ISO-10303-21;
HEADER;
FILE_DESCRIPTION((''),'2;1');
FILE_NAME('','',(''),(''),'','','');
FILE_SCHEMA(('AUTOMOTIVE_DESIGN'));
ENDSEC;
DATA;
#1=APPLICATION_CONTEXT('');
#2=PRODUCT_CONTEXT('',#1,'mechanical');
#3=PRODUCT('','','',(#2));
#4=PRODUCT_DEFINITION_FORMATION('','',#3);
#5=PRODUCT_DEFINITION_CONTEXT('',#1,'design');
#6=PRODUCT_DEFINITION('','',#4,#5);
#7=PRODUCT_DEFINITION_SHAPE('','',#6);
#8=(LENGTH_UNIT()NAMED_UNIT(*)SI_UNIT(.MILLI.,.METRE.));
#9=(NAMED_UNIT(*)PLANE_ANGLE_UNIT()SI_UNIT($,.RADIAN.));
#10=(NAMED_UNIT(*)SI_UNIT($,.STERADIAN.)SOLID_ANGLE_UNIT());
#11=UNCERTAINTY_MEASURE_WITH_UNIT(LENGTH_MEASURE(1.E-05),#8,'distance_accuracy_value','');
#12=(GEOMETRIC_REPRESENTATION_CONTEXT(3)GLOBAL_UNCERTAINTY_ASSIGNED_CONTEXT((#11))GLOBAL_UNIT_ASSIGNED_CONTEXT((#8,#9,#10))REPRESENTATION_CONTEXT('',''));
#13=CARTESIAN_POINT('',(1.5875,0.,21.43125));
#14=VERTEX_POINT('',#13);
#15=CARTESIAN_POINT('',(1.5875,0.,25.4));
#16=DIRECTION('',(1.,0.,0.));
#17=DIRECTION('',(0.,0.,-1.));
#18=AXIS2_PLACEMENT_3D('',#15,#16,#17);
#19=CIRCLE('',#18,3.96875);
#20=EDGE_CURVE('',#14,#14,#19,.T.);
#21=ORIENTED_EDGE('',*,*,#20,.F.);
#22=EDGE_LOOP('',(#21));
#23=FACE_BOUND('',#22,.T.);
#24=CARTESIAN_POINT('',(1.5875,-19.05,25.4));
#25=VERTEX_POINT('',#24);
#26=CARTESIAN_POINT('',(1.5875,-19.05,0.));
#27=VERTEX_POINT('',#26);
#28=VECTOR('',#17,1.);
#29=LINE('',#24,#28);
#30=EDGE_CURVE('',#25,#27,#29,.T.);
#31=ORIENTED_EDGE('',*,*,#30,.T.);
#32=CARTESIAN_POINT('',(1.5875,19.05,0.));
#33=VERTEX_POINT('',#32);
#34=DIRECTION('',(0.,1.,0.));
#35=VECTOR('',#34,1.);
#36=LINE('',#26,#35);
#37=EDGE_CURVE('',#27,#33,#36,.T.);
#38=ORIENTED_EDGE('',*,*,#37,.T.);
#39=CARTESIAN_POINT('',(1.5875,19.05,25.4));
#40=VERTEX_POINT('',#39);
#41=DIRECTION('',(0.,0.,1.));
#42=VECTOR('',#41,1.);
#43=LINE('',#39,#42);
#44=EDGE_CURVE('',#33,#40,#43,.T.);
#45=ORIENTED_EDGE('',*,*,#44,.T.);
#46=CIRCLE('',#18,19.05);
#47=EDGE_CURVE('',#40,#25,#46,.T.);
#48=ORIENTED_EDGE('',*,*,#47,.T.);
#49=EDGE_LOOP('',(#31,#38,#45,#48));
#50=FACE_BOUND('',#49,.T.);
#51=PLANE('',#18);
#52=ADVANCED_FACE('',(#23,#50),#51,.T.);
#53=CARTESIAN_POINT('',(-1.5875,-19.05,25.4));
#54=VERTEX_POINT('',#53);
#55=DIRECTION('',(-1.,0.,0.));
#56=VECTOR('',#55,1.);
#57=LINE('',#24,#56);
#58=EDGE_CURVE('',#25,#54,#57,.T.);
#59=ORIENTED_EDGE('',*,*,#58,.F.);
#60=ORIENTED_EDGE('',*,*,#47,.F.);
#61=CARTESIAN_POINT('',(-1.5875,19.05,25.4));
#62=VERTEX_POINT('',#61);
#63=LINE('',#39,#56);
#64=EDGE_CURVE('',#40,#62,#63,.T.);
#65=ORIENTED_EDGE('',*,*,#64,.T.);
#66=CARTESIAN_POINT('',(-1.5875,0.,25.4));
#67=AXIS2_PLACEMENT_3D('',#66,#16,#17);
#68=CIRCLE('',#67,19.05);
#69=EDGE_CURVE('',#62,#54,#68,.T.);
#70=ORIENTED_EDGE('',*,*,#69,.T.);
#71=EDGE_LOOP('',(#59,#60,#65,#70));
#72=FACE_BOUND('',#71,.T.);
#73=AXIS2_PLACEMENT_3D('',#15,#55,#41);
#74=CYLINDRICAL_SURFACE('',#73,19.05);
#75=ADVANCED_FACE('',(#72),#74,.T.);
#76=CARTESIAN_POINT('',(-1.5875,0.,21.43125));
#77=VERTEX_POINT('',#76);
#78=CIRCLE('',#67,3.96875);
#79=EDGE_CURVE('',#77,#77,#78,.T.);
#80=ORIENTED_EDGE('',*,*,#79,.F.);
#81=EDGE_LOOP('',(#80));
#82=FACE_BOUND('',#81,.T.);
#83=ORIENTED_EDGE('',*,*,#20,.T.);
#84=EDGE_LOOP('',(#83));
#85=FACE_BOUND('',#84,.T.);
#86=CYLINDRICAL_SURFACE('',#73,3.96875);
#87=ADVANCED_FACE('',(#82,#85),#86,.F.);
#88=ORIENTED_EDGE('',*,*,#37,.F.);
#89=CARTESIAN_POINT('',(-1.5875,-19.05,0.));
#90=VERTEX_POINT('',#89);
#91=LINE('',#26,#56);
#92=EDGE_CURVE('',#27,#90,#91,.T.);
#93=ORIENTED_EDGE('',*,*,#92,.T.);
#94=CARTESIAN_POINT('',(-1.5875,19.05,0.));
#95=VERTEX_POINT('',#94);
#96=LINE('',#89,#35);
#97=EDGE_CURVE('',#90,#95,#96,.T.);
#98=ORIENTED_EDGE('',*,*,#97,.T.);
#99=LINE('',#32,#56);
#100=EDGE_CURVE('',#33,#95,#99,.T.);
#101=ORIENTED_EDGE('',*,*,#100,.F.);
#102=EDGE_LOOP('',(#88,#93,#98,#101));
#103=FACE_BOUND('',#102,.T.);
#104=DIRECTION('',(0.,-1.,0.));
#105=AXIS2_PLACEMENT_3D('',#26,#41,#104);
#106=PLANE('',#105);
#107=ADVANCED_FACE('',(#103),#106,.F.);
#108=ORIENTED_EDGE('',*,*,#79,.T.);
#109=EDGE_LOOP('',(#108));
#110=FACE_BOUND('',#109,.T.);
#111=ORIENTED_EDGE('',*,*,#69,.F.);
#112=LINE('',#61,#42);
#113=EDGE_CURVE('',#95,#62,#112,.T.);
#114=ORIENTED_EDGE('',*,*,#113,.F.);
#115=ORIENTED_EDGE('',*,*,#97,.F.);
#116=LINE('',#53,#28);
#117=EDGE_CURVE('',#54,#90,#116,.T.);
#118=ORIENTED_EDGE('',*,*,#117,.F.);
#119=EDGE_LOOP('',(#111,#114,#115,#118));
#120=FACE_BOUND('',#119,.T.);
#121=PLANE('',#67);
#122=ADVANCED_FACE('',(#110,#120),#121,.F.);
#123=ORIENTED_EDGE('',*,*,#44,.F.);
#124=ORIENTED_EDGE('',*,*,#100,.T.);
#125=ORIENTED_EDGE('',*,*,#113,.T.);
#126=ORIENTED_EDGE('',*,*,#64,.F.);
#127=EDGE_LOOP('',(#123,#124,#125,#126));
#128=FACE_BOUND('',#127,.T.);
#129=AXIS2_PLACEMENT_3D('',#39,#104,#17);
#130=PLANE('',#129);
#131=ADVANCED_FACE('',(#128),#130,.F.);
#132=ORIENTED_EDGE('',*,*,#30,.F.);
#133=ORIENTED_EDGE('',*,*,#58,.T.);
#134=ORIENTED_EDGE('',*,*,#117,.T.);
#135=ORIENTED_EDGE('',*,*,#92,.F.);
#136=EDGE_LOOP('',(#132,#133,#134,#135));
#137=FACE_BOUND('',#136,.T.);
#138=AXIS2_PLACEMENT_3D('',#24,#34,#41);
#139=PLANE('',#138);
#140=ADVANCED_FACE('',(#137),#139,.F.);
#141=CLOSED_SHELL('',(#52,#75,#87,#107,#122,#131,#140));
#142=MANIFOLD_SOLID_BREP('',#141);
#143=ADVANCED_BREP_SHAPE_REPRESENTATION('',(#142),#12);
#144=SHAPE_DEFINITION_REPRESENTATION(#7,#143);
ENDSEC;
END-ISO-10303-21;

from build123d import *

# Parameters (mm, degrees)
SKETCH1_R           = 3.96875
BOSS_EXTRUDE1_DEPTH = 1.5875


with BuildPart() as part:
    # Sketch1 → Boss-Extrude1 (new body, symmetric)
    with BuildSketch(Plane(origin=(0, 0, 0), x_dir=(0, 0, -1), z_dir=(1, 0, 0))):
        with BuildLine():
            Line((-25.4, -19.05), (0, -19.05))
            Line((0, -19.05), (0, 19.05))
            Line((0, 19.05), (-25.4, 19.05))
            ThreePointArc((-25.4, 19.05), (-44.45, 0), (-25.4, -19.05))
        make_face()
        with Locations((-25.4, 0)):
            Circle(SKETCH1_R, mode=Mode.SUBTRACT)
    extrude(amount=BOSS_EXTRUDE1_DEPTH, both=True)


solid = part.part
